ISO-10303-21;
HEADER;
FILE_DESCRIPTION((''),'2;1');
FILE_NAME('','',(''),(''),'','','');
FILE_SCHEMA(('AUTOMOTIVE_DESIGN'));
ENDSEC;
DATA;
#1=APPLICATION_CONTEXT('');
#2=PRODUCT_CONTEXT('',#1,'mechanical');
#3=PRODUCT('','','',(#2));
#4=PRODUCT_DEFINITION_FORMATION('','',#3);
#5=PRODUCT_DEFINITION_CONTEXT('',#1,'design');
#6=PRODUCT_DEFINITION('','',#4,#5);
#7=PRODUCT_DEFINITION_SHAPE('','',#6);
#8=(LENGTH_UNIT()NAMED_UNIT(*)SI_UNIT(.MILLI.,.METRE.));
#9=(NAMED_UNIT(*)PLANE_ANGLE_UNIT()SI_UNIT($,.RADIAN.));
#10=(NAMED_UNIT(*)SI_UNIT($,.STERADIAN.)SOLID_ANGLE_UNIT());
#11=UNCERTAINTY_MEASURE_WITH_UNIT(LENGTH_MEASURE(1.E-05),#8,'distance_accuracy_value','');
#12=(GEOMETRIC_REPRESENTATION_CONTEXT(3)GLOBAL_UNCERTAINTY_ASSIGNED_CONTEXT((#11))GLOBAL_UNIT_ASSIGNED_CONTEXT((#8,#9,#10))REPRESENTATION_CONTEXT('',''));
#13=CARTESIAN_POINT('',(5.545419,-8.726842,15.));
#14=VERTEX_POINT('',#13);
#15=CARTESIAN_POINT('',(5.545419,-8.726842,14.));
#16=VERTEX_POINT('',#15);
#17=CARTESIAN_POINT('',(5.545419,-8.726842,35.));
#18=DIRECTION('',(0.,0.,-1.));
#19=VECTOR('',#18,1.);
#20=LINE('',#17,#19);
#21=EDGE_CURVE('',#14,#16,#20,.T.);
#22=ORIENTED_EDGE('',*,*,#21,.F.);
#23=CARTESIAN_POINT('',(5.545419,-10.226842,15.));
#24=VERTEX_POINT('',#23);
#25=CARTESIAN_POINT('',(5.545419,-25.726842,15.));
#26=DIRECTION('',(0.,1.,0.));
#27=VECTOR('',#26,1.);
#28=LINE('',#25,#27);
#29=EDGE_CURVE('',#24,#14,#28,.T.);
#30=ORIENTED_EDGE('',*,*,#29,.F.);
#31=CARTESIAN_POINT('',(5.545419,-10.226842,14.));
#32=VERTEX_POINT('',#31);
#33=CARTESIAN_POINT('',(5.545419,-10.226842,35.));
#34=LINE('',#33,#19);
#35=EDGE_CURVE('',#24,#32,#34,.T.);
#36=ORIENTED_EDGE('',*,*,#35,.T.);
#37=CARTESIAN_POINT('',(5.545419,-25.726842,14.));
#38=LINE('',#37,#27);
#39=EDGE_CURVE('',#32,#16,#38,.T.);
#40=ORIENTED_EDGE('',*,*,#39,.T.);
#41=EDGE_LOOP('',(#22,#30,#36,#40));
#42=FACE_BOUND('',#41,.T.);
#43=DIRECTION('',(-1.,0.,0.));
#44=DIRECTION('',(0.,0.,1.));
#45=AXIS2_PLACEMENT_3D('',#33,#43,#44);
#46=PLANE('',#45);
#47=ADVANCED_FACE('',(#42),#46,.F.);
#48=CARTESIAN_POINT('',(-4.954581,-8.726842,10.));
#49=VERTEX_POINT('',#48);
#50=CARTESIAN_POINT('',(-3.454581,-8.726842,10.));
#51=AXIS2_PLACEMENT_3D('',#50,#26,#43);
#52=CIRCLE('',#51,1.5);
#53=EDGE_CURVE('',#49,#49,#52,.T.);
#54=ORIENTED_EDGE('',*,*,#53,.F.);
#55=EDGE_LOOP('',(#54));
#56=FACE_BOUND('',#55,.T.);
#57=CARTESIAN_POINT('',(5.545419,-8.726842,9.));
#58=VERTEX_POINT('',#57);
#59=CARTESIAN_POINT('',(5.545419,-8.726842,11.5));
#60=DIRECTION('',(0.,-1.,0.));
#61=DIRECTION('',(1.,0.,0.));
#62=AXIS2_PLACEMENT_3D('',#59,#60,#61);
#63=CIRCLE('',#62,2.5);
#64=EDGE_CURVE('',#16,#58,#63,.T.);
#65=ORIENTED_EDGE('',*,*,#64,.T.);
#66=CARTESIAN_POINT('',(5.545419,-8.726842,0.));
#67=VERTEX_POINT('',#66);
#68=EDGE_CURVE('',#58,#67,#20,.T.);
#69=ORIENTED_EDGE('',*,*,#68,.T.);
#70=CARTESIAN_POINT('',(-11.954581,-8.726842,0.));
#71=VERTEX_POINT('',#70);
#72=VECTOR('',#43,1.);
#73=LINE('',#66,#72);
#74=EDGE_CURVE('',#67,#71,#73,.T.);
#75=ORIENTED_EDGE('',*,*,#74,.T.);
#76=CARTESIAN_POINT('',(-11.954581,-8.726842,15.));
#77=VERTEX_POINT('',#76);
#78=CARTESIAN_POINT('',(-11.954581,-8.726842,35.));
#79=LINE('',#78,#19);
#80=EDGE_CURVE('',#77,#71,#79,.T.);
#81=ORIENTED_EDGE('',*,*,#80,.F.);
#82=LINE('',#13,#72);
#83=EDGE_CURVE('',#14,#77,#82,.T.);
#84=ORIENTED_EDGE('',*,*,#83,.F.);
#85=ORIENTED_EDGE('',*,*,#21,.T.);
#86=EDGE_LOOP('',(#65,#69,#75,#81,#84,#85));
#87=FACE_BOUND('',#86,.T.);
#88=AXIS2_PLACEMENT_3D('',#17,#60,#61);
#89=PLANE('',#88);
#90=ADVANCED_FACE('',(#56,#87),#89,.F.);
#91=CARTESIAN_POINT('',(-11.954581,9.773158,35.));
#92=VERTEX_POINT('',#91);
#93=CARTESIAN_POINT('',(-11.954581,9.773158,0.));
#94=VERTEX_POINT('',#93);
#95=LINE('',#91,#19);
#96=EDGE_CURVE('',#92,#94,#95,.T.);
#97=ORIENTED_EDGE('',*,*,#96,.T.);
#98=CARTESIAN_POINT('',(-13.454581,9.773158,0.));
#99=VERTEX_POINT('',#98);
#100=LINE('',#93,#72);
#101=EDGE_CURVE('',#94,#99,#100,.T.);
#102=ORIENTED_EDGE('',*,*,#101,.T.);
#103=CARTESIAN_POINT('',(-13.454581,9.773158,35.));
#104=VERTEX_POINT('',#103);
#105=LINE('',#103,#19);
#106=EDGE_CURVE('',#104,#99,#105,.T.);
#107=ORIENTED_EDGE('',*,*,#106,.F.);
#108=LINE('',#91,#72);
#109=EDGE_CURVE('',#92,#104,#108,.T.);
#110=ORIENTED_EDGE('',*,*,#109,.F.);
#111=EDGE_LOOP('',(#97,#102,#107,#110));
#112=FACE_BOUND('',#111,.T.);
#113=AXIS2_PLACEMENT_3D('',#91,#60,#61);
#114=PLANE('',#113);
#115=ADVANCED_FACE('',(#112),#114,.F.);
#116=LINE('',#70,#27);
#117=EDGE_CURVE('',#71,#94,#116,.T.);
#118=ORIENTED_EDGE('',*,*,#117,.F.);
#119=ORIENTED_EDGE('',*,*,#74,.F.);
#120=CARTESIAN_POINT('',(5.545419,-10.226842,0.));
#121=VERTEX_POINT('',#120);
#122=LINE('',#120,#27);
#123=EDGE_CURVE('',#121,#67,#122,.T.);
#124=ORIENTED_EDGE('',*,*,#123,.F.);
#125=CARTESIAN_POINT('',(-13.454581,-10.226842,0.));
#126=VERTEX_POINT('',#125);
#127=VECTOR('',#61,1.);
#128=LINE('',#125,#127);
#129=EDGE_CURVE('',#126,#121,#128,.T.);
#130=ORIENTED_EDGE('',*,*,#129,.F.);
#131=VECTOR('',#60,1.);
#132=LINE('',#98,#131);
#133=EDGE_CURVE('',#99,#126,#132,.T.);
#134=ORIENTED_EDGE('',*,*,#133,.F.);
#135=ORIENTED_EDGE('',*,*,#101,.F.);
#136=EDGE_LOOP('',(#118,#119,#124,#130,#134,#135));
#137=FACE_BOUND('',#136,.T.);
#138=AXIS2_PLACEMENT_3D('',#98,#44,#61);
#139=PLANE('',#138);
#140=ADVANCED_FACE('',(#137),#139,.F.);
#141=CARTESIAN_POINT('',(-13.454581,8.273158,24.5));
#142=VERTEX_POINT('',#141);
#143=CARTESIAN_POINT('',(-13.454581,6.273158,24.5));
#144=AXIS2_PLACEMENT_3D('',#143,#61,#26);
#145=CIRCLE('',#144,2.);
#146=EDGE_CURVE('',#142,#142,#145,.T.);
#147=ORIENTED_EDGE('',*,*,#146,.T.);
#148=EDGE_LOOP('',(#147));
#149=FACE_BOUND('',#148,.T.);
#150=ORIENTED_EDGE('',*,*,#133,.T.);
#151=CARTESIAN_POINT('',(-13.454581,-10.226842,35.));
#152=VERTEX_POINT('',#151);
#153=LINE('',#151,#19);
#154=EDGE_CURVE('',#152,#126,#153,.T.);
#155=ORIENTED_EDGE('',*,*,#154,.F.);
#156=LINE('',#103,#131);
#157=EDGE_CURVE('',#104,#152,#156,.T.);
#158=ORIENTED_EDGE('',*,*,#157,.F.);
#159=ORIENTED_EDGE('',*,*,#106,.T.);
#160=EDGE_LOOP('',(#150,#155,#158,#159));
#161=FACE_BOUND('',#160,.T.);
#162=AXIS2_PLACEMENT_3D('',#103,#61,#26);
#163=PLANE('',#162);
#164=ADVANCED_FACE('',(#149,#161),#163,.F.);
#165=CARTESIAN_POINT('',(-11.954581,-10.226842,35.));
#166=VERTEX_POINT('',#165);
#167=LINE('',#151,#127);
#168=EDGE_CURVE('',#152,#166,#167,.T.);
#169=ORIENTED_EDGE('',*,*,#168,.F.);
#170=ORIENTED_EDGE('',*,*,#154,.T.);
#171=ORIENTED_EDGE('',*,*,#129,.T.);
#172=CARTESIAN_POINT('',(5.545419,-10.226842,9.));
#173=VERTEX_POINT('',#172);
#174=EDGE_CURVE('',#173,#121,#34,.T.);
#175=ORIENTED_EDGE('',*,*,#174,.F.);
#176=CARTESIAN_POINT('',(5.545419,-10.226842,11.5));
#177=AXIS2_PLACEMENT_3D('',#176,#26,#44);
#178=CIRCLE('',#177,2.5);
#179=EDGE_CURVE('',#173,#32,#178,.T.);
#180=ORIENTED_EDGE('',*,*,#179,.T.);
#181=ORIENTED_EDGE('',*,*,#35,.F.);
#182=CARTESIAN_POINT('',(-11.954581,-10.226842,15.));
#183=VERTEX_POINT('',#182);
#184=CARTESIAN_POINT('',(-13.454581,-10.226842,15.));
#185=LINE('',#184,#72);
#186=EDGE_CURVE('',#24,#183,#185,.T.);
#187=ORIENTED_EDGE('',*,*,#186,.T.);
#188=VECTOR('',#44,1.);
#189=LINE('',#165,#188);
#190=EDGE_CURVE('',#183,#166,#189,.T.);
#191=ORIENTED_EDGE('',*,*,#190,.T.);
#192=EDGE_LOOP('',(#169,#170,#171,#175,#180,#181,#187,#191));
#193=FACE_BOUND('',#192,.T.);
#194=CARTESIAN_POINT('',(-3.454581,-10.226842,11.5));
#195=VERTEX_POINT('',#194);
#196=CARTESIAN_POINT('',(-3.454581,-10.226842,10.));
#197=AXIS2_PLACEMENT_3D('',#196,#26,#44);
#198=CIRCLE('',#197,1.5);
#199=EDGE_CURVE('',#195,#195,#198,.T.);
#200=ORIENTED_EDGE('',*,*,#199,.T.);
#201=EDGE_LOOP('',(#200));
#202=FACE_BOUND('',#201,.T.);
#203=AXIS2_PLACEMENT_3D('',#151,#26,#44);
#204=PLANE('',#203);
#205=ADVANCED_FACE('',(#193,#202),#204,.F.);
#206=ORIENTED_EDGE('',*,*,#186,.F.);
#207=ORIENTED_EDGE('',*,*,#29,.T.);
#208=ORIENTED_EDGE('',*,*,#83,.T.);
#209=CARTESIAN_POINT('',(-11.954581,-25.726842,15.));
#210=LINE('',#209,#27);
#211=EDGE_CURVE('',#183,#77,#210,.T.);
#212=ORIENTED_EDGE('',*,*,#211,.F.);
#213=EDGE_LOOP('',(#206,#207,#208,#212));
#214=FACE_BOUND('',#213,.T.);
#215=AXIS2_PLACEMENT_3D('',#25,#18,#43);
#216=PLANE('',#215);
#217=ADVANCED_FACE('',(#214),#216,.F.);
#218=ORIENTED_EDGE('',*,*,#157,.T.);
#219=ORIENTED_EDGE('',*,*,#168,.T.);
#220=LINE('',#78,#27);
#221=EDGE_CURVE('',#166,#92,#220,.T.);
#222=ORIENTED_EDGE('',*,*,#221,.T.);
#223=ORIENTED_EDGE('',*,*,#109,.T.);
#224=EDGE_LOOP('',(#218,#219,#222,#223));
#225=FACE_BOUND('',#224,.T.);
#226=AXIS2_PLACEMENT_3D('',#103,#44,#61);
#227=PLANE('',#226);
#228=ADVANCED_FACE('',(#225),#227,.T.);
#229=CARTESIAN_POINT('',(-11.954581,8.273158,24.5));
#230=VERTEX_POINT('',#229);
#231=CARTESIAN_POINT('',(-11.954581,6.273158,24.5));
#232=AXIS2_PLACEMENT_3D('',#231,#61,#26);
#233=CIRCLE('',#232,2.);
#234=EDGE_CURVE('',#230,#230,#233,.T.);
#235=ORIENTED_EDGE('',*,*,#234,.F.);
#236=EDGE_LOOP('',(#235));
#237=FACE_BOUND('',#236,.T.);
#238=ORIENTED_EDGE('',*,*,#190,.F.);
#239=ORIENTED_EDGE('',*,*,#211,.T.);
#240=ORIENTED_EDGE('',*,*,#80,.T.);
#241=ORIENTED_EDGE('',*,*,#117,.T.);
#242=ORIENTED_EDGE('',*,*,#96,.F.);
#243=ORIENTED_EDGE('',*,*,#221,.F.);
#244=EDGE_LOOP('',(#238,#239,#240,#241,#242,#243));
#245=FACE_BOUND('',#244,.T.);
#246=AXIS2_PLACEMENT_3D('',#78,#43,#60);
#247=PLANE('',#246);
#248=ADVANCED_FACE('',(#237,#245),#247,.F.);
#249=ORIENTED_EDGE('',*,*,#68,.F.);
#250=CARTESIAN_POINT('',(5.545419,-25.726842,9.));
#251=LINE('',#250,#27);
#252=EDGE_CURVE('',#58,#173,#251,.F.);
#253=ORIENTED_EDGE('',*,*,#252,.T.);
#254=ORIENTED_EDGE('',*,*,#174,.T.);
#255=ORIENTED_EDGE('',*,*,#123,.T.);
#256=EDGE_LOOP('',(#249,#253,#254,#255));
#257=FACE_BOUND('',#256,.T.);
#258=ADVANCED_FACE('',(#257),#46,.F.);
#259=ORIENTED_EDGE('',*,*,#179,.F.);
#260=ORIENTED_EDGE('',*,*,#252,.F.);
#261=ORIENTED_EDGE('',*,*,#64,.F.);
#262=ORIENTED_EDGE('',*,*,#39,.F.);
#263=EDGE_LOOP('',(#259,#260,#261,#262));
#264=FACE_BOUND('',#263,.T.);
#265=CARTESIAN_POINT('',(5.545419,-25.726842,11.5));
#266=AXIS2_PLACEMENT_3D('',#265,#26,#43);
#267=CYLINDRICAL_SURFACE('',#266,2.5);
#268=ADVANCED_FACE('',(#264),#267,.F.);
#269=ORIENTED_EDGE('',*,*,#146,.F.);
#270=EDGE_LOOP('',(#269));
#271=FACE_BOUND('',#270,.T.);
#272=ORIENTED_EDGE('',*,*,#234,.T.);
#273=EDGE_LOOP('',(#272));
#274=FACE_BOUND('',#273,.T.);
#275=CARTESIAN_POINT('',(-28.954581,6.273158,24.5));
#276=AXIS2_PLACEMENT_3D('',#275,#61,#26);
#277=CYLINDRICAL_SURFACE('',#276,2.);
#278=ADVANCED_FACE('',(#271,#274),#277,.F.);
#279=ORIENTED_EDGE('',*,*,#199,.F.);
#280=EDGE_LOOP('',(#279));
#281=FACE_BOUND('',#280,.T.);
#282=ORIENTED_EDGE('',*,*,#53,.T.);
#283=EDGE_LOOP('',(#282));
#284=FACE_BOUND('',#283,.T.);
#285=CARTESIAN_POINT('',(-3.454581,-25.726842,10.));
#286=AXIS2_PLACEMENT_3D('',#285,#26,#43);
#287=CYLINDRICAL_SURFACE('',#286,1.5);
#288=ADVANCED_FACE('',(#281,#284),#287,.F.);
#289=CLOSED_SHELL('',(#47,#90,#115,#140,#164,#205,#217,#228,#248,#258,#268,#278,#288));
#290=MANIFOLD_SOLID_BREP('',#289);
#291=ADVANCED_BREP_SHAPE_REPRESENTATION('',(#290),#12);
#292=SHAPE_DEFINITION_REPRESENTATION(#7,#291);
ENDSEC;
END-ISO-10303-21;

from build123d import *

# Parameters (mm, degrees)
EXTRUSION1_DEPTH = 35
ESQUISSE2_R      = 2
EXTRUSION2_DEPTH = 17
ESQUISSE4_R      = 1.5
ESQUISSE4_R_2    = 2.5
ESQUISSE4_W      = 17.5
ESQUISSE4_H      = 20
EXTRUSION3_DEPTH = 17


with BuildPart() as part:
    # Esquisse1 → Extrusion1 (new body)
    with BuildSketch(Plane.XY):
        Polygon((-13.454581117, 9.773157895), (-13.454581117, -10.226842105), (5.545418883, -10.226842105), (5.545418883, -8.726842105), (-11.954581117, -8.726842105), (-11.954581117, 9.773157895), align=None)
    extrude(amount=EXTRUSION1_DEPTH)

    # Esquisse2 → Extrusion2 (cut)
    with BuildSketch(Plane(origin=(-11.954581117, 0, 0), x_dir=(0, 0, -1), z_dir=(1, 0, 0))):
        with Locations(Location((-24.5, 6.273157895, 0), (0, 0, 90))):
            Circle(ESQUISSE2_R)
    extrude(amount=-EXTRUSION2_DEPTH, mode=Mode.SUBTRACT)

    # Esquisse4 → Extrusion3 (cut)
    with BuildSketch(Plane(origin=(0, -8.726842105, 0), x_dir=(-1, 0, 0), z_dir=(0, 1, 0))):
        with Locations((3.454581117, 10)):
            Circle(ESQUISSE4_R)
        with Locations((-5.545418883, 11.5)):
            Circle(ESQUISSE4_R_2)
        with Locations((3.204581117, 25)):
            Rectangle(ESQUISSE4_W, ESQUISSE4_H)
    extrude(amount=-EXTRUSION3_DEPTH, mode=Mode.SUBTRACT)


solid = part.part
